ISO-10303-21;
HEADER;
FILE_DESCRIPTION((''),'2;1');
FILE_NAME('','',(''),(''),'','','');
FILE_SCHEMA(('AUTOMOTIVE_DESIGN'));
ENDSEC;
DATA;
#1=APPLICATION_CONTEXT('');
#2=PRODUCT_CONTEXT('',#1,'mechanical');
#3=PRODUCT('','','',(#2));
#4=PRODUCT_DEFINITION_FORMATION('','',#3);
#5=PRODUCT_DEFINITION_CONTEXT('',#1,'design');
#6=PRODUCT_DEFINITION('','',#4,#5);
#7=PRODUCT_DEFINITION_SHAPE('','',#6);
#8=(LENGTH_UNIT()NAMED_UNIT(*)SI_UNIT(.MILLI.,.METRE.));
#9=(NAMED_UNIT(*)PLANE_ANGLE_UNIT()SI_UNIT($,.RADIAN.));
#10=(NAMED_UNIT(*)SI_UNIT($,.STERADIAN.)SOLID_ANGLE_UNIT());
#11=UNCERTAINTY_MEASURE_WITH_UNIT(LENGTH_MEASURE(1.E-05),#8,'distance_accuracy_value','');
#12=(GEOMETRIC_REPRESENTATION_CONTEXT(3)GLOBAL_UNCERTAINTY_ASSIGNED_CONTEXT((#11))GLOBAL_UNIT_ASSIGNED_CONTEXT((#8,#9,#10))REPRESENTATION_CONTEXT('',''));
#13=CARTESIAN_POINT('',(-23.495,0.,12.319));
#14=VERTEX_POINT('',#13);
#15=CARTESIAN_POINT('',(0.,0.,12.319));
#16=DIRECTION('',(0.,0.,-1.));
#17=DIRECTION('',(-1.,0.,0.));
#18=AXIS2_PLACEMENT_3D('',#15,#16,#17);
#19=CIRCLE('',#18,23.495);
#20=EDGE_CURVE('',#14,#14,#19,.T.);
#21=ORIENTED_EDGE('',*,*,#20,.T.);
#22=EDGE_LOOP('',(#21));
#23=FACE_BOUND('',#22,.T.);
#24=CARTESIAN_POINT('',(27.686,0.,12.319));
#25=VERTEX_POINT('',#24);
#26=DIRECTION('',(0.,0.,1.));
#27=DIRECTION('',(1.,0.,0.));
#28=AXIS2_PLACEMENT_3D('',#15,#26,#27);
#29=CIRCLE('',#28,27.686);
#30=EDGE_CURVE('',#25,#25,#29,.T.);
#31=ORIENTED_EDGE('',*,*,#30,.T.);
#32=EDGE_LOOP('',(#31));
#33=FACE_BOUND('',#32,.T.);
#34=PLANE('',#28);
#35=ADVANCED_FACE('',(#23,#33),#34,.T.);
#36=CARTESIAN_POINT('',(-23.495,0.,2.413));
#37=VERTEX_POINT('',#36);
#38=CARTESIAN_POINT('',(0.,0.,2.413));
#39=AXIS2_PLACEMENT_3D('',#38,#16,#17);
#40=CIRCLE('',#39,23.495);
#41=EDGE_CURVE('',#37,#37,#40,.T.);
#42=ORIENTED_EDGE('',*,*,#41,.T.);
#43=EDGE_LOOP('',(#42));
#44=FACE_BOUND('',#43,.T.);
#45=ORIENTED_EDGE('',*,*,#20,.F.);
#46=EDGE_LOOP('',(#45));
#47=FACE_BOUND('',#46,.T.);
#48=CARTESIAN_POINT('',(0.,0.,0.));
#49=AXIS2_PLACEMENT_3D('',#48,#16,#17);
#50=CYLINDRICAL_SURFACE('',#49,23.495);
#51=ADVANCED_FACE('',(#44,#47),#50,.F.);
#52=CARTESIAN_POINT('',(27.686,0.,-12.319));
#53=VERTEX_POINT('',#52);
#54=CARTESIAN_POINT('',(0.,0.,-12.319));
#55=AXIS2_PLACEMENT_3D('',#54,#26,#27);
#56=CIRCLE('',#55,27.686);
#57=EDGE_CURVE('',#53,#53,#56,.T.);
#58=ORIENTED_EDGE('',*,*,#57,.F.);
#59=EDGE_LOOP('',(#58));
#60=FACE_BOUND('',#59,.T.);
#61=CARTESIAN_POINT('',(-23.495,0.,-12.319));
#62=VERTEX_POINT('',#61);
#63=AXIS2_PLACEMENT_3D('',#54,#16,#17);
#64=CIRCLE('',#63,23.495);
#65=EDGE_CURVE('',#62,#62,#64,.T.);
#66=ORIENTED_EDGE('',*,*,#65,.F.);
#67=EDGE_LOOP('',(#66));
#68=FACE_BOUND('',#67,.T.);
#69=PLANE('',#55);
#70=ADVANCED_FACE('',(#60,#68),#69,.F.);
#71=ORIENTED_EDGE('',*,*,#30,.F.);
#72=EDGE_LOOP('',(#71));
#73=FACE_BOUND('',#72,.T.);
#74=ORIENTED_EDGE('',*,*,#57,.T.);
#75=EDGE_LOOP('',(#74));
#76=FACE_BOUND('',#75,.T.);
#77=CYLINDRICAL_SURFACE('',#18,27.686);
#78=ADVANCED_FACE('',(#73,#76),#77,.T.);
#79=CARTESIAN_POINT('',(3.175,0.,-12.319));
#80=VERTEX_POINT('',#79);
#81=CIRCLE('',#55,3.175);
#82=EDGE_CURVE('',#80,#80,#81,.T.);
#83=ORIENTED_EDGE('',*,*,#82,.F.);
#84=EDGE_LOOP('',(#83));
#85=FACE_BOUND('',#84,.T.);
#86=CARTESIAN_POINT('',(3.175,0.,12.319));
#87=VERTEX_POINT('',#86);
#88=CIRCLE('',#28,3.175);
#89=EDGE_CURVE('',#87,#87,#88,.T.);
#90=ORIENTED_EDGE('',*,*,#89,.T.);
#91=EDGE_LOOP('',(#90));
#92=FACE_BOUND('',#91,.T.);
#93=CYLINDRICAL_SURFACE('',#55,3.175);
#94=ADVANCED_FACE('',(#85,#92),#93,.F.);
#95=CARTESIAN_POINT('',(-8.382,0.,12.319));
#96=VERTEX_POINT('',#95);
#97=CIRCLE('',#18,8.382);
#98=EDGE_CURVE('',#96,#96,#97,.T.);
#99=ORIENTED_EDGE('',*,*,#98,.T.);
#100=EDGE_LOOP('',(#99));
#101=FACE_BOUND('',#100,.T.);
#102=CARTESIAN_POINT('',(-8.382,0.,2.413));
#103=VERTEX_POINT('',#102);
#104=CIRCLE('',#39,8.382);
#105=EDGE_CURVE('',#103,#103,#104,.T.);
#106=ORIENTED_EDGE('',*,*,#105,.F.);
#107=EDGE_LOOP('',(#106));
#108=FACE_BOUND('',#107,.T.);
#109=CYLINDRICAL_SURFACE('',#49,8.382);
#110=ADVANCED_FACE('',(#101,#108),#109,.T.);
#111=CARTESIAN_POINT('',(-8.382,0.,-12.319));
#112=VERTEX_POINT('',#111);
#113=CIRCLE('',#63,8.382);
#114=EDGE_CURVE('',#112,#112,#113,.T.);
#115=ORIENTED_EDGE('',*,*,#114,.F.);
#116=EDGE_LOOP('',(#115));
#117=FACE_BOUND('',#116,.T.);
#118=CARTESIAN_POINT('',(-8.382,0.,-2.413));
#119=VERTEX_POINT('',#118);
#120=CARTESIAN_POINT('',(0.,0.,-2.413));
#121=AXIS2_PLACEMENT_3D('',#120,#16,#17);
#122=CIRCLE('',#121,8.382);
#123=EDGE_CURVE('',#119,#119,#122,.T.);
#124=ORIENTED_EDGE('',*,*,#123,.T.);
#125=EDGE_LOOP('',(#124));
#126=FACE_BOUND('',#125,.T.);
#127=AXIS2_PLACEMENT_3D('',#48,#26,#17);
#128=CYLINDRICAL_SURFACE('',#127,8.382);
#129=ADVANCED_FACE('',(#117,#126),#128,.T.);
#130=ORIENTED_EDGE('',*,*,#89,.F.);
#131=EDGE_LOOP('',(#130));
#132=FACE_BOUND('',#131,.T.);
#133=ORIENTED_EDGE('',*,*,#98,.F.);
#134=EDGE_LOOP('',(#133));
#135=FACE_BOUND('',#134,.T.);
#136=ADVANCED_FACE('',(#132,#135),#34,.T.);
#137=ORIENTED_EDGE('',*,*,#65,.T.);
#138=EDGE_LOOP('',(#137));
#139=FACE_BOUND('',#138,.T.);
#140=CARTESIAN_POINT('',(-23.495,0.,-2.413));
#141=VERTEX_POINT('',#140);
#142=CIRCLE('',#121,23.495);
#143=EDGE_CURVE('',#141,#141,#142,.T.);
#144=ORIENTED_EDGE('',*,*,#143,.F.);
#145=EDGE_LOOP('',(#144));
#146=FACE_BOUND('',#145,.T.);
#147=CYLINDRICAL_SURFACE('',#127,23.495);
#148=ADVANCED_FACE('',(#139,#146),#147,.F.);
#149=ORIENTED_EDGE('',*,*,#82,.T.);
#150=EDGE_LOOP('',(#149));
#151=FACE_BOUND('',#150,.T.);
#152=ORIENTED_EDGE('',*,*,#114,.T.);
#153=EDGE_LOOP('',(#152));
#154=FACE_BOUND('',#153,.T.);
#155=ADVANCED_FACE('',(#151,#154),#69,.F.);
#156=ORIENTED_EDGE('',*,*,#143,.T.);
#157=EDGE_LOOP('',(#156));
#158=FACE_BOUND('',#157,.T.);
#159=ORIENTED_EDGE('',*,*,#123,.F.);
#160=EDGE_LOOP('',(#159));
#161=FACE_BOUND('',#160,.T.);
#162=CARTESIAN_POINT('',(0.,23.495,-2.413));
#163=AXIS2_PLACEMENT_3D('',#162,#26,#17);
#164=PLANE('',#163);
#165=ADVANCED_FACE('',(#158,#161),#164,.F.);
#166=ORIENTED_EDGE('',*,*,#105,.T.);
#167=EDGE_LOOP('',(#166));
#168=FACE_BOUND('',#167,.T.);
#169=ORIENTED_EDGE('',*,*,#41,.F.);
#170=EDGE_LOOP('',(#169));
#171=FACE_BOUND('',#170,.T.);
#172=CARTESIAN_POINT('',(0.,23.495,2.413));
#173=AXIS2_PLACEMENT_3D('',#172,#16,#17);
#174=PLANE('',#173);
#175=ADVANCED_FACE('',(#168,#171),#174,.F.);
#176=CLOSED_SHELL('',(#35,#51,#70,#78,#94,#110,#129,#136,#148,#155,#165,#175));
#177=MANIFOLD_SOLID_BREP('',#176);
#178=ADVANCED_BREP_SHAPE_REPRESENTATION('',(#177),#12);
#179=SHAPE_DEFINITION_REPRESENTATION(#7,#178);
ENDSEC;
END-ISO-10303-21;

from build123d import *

# Parameters (mm, degrees)
SKETCH1_R           = 27.686
BOSS_EXTRUDE1_DEPTH = 12.319
SKETCH2_W           = 9.906
SKETCH2_H           = 15.113
SKETCH3_R           = 3.175
CUT_EXTRUDE1_DEPTH  = 25.638


with BuildPart() as part:
    # Sketch1 → Boss-Extrude1 (new body, symmetric)
    with BuildSketch(Plane.XY):
        Circle(SKETCH1_R)
    extrude(amount=BOSS_EXTRUDE1_DEPTH, both=True)

    # Sketch2 → Cut-Revolve1 (revolve, cut)
    with BuildSketch(Plane(origin=(0, 0, 0), x_dir=(0, 0, -1), z_dir=(1, 0, 0))):
        with Locations((-7.366, 15.9385)):
            Rectangle(SKETCH2_W, SKETCH2_H)
    cut_revolve1 = revolve(axis=Axis((0, 0, 0), (0, 0, 1)), mode=Mode.SUBTRACT)

    # Sketch3 → Cut-Extrude1 (cut, through all)
    with BuildSketch(Plane.XY.offset(12.319)):
        Circle(SKETCH3_R)
    extrude(amount=-CUT_EXTRUDE1_DEPTH, mode=Mode.SUBTRACT)

    # Mirror1: Cut-Revolve1 across plane
    add(cut_revolve1.mirror(Plane.XY), mode=Mode.SUBTRACT)


solid = part.part
